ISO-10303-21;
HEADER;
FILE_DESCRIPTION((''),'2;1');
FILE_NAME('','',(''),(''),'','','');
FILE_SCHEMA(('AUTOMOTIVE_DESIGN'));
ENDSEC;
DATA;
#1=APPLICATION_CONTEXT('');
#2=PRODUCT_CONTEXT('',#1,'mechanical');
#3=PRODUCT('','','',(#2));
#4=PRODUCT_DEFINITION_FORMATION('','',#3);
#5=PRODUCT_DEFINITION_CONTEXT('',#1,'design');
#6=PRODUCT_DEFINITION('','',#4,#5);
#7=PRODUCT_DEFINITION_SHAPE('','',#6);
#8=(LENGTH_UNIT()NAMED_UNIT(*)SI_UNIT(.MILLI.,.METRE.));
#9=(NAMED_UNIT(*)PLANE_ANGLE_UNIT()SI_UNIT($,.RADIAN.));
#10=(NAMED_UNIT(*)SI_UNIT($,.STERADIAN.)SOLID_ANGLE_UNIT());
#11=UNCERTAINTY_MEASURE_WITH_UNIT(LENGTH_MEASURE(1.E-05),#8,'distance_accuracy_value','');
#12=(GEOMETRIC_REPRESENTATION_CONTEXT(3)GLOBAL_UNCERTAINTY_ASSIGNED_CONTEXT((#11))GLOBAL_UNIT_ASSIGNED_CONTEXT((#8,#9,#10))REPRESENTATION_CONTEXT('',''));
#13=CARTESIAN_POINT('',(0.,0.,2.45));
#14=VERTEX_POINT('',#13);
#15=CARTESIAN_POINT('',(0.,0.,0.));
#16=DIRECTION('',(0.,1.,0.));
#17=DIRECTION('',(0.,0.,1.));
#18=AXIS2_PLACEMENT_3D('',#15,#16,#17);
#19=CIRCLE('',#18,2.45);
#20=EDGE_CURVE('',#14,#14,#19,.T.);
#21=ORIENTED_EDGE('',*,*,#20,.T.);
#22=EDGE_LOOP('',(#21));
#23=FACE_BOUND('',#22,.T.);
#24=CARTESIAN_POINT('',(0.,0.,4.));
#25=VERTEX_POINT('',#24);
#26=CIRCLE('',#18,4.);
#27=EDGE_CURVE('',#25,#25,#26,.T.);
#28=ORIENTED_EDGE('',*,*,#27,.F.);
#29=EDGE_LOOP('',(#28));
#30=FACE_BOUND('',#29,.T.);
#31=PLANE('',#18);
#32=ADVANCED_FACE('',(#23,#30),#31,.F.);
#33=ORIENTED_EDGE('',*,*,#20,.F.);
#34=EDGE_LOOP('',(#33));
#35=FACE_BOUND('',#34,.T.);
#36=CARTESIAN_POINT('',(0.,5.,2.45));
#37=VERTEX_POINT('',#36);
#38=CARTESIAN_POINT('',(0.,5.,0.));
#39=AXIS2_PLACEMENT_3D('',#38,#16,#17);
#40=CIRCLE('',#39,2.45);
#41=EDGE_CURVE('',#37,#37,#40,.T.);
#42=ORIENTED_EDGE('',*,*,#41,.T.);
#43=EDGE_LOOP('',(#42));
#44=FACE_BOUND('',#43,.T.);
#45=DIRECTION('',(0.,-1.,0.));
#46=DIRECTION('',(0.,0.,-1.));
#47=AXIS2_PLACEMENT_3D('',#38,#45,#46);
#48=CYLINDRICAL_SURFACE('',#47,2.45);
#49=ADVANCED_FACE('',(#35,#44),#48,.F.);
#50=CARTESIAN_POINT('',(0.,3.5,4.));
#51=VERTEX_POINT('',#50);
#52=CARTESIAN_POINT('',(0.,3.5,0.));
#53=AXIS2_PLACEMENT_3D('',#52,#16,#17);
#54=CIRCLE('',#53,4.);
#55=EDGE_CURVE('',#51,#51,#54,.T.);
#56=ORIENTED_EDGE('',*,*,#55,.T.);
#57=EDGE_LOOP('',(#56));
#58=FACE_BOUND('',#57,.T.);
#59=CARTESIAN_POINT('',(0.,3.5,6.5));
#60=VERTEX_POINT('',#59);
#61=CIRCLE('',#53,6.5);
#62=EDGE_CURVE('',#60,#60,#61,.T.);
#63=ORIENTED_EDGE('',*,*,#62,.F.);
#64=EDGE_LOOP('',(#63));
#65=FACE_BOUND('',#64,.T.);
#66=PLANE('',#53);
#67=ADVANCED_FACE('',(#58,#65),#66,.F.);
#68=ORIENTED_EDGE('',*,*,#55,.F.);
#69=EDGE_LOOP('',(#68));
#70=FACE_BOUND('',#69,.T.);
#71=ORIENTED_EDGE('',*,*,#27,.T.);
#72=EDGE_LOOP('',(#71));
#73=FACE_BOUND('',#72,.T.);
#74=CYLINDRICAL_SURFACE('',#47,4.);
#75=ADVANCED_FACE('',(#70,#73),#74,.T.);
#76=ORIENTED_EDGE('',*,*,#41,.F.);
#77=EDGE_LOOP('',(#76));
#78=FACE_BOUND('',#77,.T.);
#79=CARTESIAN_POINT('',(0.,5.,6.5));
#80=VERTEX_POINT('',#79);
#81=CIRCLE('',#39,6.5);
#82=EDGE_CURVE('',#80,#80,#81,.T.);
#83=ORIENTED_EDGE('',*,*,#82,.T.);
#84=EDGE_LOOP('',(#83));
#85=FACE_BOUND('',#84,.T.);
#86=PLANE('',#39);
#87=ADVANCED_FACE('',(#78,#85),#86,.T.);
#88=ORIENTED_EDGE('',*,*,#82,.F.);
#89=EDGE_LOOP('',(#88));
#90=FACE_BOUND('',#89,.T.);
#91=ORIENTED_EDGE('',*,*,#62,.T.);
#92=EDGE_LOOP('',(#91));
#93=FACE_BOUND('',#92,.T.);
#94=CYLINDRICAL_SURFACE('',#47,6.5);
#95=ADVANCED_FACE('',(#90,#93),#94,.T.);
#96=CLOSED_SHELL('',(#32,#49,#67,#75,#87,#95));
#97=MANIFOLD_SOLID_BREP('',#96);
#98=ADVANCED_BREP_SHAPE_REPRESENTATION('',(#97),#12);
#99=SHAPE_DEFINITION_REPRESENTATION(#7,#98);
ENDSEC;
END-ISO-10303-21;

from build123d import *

# Parameters (mm, degrees)
SKETCH1_R           = 4
SKETCH1_R_2         = 2.45
BOSS_EXTRUDE1_DEPTH = 5
BOSS_EXTRUDE2_START = 3.5
SKETCH1_3_R         = 6.5
SKETCH1_3_R_2       = 4
BOSS_EXTRUDE2_DEPTH = 1.5


with BuildPart() as part:
    # Sketch1 → Boss-Extrude1 (new body)
    with BuildSketch(Plane(origin=(0, 0, 0), x_dir=(1, 0, 0), z_dir=(0, 1, 0))):
        Circle(SKETCH1_R)
        Circle(SKETCH1_R_2, mode=Mode.SUBTRACT)
    extrude(amount=BOSS_EXTRUDE1_DEPTH)

    # Sketch1<3> → Boss-Extrude2 (add)
    with BuildSketch(Plane(origin=(0, 0, 0), x_dir=(1, 0, 0), z_dir=(0, 1, 0)).offset(BOSS_EXTRUDE2_START)):
        Circle(SKETCH1_3_R)
        Circle(SKETCH1_3_R_2, mode=Mode.SUBTRACT)
    extrude(amount=BOSS_EXTRUDE2_DEPTH)


solid = part.part
